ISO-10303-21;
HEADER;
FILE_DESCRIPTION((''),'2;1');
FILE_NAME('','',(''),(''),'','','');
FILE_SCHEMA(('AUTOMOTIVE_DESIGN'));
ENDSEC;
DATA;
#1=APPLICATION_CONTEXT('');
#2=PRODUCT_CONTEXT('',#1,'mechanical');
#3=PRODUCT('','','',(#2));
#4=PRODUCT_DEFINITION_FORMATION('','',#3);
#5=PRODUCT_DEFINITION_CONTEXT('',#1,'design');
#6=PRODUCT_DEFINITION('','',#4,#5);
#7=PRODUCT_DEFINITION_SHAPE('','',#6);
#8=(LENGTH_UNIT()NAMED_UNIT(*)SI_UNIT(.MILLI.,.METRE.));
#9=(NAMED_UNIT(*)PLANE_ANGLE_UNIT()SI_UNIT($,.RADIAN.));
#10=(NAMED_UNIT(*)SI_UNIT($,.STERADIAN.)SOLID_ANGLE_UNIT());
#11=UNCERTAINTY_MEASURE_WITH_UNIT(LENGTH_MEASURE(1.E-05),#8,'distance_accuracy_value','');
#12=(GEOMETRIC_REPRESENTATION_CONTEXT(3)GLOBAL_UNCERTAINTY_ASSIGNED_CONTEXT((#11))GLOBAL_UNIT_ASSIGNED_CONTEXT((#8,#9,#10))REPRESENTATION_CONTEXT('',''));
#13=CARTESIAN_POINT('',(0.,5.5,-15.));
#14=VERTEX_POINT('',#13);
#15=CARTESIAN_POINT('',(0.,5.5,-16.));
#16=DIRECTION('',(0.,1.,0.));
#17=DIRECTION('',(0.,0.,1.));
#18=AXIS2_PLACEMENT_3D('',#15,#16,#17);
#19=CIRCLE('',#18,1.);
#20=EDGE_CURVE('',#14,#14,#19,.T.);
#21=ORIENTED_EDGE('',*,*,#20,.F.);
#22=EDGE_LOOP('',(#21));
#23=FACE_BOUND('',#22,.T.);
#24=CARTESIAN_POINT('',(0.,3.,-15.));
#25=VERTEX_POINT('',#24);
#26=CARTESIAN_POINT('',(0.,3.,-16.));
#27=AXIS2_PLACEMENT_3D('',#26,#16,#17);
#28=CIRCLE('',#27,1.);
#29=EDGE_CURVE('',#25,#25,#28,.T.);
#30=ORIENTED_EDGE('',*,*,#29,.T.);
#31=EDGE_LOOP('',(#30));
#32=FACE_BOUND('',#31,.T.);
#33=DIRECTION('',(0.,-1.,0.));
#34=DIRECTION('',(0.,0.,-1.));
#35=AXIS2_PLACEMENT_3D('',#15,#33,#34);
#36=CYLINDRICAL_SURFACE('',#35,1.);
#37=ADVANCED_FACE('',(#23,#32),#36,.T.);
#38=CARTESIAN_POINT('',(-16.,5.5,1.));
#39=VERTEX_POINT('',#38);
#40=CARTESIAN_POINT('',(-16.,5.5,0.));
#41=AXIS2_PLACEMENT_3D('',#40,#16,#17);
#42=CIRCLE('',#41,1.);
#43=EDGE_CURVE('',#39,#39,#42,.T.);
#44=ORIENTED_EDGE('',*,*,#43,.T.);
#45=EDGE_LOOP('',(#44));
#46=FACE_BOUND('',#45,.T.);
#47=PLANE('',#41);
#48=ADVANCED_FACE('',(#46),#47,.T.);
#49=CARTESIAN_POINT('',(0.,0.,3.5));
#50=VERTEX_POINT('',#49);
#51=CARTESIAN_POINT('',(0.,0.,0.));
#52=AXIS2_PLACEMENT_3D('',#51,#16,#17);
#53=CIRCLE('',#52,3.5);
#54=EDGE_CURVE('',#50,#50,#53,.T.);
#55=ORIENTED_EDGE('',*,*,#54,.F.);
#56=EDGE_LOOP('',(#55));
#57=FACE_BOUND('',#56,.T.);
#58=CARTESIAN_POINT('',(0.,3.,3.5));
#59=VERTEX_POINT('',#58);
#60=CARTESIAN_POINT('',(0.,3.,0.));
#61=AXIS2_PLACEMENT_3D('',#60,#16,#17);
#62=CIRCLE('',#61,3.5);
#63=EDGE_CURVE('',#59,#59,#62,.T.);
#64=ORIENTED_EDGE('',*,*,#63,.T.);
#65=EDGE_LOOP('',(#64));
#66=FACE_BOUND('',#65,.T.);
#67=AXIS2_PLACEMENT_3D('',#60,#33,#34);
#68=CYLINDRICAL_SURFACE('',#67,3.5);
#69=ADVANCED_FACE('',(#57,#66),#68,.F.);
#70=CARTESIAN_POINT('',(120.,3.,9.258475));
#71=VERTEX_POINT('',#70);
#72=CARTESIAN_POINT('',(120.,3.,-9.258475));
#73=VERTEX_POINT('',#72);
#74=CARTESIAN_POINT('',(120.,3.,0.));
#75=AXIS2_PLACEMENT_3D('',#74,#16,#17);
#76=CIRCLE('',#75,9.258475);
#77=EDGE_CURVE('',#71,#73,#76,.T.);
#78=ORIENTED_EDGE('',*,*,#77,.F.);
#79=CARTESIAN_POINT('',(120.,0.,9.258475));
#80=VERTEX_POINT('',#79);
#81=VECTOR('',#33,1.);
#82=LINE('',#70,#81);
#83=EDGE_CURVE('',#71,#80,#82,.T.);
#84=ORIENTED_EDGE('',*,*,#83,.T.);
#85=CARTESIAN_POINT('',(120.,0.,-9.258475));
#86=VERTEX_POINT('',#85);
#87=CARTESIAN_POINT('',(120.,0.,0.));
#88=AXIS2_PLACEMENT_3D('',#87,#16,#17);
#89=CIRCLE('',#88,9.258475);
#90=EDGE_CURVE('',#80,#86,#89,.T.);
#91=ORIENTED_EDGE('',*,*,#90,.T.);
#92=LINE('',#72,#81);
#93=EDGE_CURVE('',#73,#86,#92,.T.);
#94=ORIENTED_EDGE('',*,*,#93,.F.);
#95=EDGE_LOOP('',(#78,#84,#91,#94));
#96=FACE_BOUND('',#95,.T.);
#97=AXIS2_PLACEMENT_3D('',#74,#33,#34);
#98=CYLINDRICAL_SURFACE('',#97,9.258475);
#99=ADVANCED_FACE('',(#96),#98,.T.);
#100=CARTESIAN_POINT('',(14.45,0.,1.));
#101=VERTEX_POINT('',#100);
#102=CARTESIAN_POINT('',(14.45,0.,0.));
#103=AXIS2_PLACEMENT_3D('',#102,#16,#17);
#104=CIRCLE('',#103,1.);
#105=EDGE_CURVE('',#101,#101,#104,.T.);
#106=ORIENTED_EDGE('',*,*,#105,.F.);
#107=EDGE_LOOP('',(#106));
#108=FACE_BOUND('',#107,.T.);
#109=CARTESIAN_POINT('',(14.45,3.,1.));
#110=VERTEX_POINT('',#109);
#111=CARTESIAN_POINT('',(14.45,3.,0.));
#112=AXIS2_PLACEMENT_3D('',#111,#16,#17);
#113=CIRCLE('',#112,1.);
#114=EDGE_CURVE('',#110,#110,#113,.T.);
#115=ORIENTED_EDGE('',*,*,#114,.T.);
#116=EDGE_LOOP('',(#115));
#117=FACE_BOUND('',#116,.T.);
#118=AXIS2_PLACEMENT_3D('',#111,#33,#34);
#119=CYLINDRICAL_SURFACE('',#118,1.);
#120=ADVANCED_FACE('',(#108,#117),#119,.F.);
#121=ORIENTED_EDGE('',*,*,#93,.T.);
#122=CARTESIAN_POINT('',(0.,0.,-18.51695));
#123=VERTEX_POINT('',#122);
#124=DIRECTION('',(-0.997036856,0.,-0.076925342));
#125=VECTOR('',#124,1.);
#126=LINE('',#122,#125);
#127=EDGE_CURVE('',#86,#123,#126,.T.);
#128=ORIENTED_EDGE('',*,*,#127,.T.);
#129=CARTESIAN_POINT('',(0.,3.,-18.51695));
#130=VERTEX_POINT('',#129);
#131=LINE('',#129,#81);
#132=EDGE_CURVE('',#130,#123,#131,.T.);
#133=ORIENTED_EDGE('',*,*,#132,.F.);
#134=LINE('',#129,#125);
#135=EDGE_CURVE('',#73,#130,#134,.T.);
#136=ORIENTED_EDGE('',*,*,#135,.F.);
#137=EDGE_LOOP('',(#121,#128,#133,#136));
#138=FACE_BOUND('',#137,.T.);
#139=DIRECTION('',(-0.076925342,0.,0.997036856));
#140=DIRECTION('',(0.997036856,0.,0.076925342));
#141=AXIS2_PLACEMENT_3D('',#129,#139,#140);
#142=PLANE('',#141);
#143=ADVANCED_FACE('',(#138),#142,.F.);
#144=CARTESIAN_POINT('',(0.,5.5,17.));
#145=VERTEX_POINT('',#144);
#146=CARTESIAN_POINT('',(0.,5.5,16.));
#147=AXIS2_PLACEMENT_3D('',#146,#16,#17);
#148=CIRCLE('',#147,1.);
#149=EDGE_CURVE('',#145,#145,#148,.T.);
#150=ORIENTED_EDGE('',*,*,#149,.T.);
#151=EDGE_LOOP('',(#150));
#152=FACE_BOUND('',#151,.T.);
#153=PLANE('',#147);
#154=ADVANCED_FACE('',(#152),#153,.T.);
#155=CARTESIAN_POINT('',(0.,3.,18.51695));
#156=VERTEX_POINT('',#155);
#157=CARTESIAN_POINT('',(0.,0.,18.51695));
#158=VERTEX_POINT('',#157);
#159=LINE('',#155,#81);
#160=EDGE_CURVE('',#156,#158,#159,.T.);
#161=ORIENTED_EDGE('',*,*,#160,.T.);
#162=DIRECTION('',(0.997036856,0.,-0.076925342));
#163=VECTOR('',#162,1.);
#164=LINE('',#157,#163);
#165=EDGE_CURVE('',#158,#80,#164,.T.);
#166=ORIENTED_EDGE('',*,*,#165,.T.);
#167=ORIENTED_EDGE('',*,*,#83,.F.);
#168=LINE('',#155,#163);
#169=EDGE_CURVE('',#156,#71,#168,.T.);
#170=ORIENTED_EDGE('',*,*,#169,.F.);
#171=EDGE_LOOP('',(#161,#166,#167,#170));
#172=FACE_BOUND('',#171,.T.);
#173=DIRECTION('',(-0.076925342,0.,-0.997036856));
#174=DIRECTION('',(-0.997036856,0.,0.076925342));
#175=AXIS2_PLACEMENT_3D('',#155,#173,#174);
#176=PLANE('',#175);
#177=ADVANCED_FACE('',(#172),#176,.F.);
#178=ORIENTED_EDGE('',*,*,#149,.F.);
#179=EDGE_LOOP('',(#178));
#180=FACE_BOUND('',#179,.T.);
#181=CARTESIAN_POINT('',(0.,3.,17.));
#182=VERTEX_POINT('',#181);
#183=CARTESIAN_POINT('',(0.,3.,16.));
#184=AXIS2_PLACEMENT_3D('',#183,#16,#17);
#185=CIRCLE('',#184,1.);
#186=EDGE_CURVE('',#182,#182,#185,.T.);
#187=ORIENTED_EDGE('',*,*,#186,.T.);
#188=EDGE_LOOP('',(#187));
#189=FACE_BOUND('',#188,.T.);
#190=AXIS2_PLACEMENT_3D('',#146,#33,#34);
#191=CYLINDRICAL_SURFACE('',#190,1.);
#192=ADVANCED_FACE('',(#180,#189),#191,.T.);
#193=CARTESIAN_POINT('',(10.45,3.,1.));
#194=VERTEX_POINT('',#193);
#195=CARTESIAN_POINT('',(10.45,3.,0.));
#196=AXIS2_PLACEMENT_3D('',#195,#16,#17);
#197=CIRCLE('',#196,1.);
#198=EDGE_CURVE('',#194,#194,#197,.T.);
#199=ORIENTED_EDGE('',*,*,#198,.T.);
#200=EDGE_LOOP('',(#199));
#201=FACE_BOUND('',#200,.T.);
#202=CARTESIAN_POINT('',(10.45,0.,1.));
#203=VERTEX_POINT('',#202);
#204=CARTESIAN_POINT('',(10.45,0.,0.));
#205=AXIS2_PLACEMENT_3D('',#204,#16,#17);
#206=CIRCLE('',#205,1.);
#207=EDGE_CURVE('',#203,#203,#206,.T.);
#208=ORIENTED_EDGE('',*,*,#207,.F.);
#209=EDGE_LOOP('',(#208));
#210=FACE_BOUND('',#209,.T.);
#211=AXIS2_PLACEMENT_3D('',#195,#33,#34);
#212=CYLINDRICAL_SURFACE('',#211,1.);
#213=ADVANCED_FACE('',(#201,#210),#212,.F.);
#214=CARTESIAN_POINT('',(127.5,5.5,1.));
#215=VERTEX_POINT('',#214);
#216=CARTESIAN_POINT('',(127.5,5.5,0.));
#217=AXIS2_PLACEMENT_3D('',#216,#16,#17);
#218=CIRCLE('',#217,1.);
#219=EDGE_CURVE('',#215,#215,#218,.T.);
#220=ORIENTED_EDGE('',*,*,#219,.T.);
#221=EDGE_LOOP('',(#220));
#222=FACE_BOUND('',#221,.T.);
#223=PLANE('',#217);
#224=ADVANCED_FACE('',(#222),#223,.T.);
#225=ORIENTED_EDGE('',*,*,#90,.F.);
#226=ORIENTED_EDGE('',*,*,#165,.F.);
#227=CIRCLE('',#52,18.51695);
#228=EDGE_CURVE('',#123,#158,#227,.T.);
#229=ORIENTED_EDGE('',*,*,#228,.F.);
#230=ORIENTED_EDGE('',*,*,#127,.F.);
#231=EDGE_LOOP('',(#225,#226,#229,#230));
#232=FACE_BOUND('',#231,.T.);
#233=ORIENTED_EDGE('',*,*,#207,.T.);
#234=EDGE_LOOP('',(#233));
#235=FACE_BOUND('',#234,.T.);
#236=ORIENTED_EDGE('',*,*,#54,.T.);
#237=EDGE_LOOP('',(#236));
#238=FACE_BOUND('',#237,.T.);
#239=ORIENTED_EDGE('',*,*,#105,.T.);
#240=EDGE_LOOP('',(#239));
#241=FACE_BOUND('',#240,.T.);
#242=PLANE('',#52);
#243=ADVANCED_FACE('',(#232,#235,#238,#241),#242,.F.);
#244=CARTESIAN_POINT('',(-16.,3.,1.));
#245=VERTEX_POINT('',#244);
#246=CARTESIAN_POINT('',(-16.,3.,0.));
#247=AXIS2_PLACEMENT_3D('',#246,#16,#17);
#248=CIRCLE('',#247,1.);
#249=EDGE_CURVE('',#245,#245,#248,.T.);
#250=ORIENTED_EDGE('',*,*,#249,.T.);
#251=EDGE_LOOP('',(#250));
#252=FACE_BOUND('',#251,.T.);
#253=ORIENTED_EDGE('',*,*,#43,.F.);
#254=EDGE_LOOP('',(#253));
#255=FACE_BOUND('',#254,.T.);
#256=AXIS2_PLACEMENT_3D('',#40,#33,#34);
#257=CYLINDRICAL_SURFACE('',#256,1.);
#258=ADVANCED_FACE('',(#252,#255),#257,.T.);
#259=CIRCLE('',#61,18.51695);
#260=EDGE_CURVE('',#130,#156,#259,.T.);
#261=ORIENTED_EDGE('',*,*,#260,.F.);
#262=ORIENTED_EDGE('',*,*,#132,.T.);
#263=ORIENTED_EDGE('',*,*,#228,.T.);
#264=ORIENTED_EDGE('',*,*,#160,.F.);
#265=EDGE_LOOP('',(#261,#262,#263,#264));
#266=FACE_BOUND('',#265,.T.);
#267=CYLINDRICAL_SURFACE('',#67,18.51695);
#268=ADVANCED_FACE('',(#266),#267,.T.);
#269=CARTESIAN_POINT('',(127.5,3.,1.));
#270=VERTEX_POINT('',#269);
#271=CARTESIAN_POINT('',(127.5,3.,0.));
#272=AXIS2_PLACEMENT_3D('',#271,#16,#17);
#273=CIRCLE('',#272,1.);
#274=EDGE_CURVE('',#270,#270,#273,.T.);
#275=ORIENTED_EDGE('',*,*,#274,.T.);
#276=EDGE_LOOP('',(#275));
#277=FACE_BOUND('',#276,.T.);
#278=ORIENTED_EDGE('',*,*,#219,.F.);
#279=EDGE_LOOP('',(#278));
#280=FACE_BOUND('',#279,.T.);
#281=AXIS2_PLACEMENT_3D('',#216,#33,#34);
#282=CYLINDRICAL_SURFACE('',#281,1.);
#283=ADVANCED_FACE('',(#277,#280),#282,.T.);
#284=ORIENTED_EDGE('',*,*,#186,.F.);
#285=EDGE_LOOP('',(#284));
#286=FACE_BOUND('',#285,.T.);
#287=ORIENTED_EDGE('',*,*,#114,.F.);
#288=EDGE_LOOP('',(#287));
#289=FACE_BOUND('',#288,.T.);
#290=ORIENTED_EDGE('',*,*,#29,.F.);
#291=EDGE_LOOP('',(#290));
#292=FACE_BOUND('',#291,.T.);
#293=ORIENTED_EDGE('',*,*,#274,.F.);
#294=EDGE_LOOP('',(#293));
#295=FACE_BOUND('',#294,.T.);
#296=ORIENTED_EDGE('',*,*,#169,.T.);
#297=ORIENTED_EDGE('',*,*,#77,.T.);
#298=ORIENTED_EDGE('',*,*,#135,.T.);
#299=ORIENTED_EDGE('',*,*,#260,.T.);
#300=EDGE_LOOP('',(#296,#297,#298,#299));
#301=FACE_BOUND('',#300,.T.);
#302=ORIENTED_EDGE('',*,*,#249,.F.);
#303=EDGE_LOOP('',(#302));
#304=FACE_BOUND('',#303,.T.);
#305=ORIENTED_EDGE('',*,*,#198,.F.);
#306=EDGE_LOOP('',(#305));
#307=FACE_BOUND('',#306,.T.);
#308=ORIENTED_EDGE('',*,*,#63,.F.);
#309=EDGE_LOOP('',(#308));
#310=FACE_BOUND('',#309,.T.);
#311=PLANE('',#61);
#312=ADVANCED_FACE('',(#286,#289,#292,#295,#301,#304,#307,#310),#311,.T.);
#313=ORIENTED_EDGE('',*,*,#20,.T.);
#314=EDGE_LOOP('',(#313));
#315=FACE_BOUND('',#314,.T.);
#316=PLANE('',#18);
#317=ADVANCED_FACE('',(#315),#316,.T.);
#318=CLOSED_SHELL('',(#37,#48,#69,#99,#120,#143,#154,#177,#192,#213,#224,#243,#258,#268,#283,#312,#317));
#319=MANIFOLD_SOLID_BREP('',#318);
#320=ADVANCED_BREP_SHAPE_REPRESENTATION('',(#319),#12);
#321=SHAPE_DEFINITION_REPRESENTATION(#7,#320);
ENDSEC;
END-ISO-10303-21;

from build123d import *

# Parameters (mm, degrees)
SKETCH1_R           = 3.5
SKETCH1_R_2         = 1
BOSS_EXTRUDE1_DEPTH = 3
SKETCH2_R           = 1
BOSS_EXTRUDE2_DEPTH = 2.5


with BuildPart() as part:
    # Sketch1 → Boss-Extrude1 (new body)
    with BuildSketch(Plane(origin=(0, 0, 0), x_dir=(1, 0, 0), z_dir=(0, 1, 0))):
        with BuildLine():
            Line((0, 18.516950365), (120, 9.258475183))
            ThreePointArc((120, 9.258475183), (129.258475183, 0), (120, -9.258475183))
            Line((120, -9.258475183), (0, -18.516950365))
            ThreePointArc((0, -18.516950365), (-18.516950365, 0), (0, 18.516950365))
        make_face()
        with Locations(Location((0, 0, 0), (0, 0, 270))):
            Circle(SKETCH1_R, mode=Mode.SUBTRACT)
        with Locations(Location((14.45, 0, 0), (0, 0, 270))):
            Circle(SKETCH1_R_2, mode=Mode.SUBTRACT)
        with Locations(Location((10.45, 0, 0), (0, 0, 270))):
            Circle(SKETCH1_R_2, mode=Mode.SUBTRACT)
    extrude(amount=BOSS_EXTRUDE1_DEPTH)

    # Sketch2 → Boss-Extrude2 (add)
    with BuildSketch(Plane(origin=(0, 3, 0), x_dir=(1, 0, 0), z_dir=(0, 1, 0))):
        with Locations(Location((-16, 0, 0), (0, 0, 270))):
            Circle(SKETCH2_R)
        with Locations(Location((0, 16, 0), (0, 0, 270))):
            Circle(SKETCH2_R)
        with Locations(Location((0, -16, 0), (0, 0, 270))):
            Circle(SKETCH2_R)
        with Locations(Location((127.5, 0, 0), (0, 0, 270))):
            Circle(SKETCH2_R)
    extrude(amount=BOSS_EXTRUDE2_DEPTH)


solid = part.part
